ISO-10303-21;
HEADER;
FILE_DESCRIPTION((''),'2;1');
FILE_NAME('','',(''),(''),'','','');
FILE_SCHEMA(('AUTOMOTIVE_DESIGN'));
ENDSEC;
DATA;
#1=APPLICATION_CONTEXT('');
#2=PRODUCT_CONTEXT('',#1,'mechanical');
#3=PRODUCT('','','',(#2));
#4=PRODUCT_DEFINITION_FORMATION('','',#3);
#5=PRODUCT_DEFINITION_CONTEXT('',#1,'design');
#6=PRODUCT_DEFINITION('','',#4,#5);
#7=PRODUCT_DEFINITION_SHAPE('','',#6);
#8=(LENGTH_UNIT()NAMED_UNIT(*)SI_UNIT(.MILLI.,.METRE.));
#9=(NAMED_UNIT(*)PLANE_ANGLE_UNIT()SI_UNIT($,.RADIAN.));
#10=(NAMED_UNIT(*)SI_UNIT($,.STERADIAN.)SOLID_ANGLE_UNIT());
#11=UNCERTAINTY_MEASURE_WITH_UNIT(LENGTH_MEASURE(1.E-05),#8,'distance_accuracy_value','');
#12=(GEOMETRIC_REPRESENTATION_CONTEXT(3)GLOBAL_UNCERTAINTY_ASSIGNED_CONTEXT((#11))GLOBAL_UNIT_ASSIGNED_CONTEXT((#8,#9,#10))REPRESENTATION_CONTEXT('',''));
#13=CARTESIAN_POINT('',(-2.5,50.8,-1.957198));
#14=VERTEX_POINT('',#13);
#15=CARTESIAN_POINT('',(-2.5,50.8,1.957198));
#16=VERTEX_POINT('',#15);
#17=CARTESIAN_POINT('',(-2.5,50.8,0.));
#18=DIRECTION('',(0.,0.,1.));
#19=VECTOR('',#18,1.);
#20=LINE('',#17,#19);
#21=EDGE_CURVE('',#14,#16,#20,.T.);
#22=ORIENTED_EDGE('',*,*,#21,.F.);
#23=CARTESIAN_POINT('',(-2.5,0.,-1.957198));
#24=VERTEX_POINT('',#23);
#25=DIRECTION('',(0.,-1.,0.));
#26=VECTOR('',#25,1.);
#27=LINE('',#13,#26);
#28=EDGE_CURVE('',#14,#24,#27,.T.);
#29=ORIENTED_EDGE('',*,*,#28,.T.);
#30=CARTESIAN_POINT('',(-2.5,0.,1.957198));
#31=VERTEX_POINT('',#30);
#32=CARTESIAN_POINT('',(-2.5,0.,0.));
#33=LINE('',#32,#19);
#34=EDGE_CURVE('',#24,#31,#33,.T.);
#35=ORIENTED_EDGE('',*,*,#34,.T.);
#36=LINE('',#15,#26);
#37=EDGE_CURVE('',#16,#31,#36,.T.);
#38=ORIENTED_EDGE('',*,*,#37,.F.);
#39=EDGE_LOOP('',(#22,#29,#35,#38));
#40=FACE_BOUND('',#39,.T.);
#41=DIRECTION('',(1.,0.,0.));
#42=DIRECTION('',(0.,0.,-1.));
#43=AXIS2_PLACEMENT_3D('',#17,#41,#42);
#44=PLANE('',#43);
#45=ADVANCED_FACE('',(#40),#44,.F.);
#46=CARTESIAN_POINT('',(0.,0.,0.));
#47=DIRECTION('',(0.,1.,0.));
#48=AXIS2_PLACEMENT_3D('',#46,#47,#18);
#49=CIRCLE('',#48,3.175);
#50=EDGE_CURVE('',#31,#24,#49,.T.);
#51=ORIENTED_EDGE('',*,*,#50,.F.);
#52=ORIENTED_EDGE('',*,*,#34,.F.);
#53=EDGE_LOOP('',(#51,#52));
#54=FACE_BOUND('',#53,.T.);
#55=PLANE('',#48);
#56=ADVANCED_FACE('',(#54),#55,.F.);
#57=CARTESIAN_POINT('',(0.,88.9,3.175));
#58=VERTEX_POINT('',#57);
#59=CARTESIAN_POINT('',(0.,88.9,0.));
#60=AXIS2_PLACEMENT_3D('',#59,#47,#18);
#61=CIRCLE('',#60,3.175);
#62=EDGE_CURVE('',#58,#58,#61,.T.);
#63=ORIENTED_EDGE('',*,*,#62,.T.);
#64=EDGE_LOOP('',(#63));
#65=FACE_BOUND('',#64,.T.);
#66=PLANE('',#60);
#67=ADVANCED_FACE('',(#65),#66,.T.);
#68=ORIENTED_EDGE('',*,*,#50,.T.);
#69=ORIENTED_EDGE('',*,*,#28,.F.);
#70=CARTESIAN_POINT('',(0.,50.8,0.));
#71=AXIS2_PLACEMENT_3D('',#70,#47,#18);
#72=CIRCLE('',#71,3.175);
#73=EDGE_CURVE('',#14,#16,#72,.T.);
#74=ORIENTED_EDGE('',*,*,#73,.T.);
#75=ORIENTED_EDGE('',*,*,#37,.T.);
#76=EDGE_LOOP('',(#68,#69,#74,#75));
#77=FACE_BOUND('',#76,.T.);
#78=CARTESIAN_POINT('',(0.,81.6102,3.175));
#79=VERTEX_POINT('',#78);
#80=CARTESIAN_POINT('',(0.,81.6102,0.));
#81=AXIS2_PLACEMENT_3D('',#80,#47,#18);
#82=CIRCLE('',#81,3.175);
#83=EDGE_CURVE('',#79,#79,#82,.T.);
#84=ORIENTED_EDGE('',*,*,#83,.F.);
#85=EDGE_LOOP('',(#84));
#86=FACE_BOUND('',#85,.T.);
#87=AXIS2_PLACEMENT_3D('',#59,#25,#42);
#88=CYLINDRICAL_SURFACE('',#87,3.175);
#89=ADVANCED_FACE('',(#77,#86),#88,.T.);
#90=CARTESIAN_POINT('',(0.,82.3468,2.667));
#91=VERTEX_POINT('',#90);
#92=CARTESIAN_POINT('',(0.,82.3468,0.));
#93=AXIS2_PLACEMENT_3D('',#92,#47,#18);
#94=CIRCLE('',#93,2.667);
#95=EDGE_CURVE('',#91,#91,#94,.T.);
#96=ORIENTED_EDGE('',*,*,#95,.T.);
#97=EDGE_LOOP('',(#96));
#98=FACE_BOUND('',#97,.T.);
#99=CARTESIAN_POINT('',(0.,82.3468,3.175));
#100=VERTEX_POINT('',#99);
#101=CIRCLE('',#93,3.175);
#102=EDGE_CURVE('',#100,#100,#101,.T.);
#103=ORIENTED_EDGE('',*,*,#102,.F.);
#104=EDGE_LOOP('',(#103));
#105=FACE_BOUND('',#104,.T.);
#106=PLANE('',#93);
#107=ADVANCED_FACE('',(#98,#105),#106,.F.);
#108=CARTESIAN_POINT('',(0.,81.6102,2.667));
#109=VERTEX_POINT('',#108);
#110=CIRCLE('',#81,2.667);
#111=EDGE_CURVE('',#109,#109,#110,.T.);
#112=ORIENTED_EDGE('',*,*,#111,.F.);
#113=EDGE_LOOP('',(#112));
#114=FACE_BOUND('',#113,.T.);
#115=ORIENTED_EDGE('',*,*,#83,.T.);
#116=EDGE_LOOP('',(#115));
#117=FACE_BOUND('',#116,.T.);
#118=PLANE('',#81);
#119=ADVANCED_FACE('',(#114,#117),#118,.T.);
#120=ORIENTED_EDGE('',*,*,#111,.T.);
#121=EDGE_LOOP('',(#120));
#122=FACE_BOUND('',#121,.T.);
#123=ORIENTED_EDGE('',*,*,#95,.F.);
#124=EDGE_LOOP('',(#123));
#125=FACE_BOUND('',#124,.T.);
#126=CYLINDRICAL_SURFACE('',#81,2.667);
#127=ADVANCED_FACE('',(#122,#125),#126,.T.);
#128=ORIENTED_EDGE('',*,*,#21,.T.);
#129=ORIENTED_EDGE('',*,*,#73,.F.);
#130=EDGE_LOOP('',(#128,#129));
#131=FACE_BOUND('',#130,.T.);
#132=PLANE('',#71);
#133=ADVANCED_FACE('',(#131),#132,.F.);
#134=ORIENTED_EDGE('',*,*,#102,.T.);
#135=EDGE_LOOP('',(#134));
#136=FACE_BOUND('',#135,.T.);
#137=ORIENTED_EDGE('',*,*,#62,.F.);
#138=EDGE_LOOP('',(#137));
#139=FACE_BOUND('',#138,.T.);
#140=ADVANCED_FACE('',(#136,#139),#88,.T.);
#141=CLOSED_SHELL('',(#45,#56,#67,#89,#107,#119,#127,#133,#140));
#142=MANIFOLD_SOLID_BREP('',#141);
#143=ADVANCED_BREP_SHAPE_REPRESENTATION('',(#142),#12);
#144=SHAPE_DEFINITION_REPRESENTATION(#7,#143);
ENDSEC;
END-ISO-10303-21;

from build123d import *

# Parameters (mm, degrees)
SKETCH1_R           = 3.175
BOSS_EXTRUDE1_DEPTH = 88.9
CUT_EXTRUDE1_DEPTH  = 50.8
CUT_EXTRUDE2_START  = -6.5532
SKETCH3_R           = 3.175
SKETCH3_R_2         = 2.667
CUT_EXTRUDE2_DEPTH  = 0.7366


with BuildPart() as part:
    # Sketch1 → Boss-Extrude1 (new body)
    with BuildSketch(Plane(origin=(0, 0, 0), x_dir=(1, 0, 0), z_dir=(0, 1, 0))):
        Circle(SKETCH1_R)
    extrude(amount=BOSS_EXTRUDE1_DEPTH)

    # Sketch2 → Cut-Extrude1 (cut)
    with BuildSketch(Plane.XZ):
        Polygon((-2.5, 0), (-2.5, -1.957198253), (-3.175, -1.957198253), (-3.175, 1.957198253), (-2.5, 1.957198253), align=None)
    extrude(amount=-CUT_EXTRUDE1_DEPTH, mode=Mode.SUBTRACT)

    # Sketch3 → Cut-Extrude2 (cut)
    with BuildSketch(Plane(origin=(0, 88.9, 0), x_dir=(1, 0, 0), z_dir=(0, 1, 0)).offset(CUT_EXTRUDE2_START)):
        Circle(SKETCH3_R)
        Circle(SKETCH3_R_2, mode=Mode.SUBTRACT)
    extrude(amount=-CUT_EXTRUDE2_DEPTH, mode=Mode.SUBTRACT)


solid = part.part
